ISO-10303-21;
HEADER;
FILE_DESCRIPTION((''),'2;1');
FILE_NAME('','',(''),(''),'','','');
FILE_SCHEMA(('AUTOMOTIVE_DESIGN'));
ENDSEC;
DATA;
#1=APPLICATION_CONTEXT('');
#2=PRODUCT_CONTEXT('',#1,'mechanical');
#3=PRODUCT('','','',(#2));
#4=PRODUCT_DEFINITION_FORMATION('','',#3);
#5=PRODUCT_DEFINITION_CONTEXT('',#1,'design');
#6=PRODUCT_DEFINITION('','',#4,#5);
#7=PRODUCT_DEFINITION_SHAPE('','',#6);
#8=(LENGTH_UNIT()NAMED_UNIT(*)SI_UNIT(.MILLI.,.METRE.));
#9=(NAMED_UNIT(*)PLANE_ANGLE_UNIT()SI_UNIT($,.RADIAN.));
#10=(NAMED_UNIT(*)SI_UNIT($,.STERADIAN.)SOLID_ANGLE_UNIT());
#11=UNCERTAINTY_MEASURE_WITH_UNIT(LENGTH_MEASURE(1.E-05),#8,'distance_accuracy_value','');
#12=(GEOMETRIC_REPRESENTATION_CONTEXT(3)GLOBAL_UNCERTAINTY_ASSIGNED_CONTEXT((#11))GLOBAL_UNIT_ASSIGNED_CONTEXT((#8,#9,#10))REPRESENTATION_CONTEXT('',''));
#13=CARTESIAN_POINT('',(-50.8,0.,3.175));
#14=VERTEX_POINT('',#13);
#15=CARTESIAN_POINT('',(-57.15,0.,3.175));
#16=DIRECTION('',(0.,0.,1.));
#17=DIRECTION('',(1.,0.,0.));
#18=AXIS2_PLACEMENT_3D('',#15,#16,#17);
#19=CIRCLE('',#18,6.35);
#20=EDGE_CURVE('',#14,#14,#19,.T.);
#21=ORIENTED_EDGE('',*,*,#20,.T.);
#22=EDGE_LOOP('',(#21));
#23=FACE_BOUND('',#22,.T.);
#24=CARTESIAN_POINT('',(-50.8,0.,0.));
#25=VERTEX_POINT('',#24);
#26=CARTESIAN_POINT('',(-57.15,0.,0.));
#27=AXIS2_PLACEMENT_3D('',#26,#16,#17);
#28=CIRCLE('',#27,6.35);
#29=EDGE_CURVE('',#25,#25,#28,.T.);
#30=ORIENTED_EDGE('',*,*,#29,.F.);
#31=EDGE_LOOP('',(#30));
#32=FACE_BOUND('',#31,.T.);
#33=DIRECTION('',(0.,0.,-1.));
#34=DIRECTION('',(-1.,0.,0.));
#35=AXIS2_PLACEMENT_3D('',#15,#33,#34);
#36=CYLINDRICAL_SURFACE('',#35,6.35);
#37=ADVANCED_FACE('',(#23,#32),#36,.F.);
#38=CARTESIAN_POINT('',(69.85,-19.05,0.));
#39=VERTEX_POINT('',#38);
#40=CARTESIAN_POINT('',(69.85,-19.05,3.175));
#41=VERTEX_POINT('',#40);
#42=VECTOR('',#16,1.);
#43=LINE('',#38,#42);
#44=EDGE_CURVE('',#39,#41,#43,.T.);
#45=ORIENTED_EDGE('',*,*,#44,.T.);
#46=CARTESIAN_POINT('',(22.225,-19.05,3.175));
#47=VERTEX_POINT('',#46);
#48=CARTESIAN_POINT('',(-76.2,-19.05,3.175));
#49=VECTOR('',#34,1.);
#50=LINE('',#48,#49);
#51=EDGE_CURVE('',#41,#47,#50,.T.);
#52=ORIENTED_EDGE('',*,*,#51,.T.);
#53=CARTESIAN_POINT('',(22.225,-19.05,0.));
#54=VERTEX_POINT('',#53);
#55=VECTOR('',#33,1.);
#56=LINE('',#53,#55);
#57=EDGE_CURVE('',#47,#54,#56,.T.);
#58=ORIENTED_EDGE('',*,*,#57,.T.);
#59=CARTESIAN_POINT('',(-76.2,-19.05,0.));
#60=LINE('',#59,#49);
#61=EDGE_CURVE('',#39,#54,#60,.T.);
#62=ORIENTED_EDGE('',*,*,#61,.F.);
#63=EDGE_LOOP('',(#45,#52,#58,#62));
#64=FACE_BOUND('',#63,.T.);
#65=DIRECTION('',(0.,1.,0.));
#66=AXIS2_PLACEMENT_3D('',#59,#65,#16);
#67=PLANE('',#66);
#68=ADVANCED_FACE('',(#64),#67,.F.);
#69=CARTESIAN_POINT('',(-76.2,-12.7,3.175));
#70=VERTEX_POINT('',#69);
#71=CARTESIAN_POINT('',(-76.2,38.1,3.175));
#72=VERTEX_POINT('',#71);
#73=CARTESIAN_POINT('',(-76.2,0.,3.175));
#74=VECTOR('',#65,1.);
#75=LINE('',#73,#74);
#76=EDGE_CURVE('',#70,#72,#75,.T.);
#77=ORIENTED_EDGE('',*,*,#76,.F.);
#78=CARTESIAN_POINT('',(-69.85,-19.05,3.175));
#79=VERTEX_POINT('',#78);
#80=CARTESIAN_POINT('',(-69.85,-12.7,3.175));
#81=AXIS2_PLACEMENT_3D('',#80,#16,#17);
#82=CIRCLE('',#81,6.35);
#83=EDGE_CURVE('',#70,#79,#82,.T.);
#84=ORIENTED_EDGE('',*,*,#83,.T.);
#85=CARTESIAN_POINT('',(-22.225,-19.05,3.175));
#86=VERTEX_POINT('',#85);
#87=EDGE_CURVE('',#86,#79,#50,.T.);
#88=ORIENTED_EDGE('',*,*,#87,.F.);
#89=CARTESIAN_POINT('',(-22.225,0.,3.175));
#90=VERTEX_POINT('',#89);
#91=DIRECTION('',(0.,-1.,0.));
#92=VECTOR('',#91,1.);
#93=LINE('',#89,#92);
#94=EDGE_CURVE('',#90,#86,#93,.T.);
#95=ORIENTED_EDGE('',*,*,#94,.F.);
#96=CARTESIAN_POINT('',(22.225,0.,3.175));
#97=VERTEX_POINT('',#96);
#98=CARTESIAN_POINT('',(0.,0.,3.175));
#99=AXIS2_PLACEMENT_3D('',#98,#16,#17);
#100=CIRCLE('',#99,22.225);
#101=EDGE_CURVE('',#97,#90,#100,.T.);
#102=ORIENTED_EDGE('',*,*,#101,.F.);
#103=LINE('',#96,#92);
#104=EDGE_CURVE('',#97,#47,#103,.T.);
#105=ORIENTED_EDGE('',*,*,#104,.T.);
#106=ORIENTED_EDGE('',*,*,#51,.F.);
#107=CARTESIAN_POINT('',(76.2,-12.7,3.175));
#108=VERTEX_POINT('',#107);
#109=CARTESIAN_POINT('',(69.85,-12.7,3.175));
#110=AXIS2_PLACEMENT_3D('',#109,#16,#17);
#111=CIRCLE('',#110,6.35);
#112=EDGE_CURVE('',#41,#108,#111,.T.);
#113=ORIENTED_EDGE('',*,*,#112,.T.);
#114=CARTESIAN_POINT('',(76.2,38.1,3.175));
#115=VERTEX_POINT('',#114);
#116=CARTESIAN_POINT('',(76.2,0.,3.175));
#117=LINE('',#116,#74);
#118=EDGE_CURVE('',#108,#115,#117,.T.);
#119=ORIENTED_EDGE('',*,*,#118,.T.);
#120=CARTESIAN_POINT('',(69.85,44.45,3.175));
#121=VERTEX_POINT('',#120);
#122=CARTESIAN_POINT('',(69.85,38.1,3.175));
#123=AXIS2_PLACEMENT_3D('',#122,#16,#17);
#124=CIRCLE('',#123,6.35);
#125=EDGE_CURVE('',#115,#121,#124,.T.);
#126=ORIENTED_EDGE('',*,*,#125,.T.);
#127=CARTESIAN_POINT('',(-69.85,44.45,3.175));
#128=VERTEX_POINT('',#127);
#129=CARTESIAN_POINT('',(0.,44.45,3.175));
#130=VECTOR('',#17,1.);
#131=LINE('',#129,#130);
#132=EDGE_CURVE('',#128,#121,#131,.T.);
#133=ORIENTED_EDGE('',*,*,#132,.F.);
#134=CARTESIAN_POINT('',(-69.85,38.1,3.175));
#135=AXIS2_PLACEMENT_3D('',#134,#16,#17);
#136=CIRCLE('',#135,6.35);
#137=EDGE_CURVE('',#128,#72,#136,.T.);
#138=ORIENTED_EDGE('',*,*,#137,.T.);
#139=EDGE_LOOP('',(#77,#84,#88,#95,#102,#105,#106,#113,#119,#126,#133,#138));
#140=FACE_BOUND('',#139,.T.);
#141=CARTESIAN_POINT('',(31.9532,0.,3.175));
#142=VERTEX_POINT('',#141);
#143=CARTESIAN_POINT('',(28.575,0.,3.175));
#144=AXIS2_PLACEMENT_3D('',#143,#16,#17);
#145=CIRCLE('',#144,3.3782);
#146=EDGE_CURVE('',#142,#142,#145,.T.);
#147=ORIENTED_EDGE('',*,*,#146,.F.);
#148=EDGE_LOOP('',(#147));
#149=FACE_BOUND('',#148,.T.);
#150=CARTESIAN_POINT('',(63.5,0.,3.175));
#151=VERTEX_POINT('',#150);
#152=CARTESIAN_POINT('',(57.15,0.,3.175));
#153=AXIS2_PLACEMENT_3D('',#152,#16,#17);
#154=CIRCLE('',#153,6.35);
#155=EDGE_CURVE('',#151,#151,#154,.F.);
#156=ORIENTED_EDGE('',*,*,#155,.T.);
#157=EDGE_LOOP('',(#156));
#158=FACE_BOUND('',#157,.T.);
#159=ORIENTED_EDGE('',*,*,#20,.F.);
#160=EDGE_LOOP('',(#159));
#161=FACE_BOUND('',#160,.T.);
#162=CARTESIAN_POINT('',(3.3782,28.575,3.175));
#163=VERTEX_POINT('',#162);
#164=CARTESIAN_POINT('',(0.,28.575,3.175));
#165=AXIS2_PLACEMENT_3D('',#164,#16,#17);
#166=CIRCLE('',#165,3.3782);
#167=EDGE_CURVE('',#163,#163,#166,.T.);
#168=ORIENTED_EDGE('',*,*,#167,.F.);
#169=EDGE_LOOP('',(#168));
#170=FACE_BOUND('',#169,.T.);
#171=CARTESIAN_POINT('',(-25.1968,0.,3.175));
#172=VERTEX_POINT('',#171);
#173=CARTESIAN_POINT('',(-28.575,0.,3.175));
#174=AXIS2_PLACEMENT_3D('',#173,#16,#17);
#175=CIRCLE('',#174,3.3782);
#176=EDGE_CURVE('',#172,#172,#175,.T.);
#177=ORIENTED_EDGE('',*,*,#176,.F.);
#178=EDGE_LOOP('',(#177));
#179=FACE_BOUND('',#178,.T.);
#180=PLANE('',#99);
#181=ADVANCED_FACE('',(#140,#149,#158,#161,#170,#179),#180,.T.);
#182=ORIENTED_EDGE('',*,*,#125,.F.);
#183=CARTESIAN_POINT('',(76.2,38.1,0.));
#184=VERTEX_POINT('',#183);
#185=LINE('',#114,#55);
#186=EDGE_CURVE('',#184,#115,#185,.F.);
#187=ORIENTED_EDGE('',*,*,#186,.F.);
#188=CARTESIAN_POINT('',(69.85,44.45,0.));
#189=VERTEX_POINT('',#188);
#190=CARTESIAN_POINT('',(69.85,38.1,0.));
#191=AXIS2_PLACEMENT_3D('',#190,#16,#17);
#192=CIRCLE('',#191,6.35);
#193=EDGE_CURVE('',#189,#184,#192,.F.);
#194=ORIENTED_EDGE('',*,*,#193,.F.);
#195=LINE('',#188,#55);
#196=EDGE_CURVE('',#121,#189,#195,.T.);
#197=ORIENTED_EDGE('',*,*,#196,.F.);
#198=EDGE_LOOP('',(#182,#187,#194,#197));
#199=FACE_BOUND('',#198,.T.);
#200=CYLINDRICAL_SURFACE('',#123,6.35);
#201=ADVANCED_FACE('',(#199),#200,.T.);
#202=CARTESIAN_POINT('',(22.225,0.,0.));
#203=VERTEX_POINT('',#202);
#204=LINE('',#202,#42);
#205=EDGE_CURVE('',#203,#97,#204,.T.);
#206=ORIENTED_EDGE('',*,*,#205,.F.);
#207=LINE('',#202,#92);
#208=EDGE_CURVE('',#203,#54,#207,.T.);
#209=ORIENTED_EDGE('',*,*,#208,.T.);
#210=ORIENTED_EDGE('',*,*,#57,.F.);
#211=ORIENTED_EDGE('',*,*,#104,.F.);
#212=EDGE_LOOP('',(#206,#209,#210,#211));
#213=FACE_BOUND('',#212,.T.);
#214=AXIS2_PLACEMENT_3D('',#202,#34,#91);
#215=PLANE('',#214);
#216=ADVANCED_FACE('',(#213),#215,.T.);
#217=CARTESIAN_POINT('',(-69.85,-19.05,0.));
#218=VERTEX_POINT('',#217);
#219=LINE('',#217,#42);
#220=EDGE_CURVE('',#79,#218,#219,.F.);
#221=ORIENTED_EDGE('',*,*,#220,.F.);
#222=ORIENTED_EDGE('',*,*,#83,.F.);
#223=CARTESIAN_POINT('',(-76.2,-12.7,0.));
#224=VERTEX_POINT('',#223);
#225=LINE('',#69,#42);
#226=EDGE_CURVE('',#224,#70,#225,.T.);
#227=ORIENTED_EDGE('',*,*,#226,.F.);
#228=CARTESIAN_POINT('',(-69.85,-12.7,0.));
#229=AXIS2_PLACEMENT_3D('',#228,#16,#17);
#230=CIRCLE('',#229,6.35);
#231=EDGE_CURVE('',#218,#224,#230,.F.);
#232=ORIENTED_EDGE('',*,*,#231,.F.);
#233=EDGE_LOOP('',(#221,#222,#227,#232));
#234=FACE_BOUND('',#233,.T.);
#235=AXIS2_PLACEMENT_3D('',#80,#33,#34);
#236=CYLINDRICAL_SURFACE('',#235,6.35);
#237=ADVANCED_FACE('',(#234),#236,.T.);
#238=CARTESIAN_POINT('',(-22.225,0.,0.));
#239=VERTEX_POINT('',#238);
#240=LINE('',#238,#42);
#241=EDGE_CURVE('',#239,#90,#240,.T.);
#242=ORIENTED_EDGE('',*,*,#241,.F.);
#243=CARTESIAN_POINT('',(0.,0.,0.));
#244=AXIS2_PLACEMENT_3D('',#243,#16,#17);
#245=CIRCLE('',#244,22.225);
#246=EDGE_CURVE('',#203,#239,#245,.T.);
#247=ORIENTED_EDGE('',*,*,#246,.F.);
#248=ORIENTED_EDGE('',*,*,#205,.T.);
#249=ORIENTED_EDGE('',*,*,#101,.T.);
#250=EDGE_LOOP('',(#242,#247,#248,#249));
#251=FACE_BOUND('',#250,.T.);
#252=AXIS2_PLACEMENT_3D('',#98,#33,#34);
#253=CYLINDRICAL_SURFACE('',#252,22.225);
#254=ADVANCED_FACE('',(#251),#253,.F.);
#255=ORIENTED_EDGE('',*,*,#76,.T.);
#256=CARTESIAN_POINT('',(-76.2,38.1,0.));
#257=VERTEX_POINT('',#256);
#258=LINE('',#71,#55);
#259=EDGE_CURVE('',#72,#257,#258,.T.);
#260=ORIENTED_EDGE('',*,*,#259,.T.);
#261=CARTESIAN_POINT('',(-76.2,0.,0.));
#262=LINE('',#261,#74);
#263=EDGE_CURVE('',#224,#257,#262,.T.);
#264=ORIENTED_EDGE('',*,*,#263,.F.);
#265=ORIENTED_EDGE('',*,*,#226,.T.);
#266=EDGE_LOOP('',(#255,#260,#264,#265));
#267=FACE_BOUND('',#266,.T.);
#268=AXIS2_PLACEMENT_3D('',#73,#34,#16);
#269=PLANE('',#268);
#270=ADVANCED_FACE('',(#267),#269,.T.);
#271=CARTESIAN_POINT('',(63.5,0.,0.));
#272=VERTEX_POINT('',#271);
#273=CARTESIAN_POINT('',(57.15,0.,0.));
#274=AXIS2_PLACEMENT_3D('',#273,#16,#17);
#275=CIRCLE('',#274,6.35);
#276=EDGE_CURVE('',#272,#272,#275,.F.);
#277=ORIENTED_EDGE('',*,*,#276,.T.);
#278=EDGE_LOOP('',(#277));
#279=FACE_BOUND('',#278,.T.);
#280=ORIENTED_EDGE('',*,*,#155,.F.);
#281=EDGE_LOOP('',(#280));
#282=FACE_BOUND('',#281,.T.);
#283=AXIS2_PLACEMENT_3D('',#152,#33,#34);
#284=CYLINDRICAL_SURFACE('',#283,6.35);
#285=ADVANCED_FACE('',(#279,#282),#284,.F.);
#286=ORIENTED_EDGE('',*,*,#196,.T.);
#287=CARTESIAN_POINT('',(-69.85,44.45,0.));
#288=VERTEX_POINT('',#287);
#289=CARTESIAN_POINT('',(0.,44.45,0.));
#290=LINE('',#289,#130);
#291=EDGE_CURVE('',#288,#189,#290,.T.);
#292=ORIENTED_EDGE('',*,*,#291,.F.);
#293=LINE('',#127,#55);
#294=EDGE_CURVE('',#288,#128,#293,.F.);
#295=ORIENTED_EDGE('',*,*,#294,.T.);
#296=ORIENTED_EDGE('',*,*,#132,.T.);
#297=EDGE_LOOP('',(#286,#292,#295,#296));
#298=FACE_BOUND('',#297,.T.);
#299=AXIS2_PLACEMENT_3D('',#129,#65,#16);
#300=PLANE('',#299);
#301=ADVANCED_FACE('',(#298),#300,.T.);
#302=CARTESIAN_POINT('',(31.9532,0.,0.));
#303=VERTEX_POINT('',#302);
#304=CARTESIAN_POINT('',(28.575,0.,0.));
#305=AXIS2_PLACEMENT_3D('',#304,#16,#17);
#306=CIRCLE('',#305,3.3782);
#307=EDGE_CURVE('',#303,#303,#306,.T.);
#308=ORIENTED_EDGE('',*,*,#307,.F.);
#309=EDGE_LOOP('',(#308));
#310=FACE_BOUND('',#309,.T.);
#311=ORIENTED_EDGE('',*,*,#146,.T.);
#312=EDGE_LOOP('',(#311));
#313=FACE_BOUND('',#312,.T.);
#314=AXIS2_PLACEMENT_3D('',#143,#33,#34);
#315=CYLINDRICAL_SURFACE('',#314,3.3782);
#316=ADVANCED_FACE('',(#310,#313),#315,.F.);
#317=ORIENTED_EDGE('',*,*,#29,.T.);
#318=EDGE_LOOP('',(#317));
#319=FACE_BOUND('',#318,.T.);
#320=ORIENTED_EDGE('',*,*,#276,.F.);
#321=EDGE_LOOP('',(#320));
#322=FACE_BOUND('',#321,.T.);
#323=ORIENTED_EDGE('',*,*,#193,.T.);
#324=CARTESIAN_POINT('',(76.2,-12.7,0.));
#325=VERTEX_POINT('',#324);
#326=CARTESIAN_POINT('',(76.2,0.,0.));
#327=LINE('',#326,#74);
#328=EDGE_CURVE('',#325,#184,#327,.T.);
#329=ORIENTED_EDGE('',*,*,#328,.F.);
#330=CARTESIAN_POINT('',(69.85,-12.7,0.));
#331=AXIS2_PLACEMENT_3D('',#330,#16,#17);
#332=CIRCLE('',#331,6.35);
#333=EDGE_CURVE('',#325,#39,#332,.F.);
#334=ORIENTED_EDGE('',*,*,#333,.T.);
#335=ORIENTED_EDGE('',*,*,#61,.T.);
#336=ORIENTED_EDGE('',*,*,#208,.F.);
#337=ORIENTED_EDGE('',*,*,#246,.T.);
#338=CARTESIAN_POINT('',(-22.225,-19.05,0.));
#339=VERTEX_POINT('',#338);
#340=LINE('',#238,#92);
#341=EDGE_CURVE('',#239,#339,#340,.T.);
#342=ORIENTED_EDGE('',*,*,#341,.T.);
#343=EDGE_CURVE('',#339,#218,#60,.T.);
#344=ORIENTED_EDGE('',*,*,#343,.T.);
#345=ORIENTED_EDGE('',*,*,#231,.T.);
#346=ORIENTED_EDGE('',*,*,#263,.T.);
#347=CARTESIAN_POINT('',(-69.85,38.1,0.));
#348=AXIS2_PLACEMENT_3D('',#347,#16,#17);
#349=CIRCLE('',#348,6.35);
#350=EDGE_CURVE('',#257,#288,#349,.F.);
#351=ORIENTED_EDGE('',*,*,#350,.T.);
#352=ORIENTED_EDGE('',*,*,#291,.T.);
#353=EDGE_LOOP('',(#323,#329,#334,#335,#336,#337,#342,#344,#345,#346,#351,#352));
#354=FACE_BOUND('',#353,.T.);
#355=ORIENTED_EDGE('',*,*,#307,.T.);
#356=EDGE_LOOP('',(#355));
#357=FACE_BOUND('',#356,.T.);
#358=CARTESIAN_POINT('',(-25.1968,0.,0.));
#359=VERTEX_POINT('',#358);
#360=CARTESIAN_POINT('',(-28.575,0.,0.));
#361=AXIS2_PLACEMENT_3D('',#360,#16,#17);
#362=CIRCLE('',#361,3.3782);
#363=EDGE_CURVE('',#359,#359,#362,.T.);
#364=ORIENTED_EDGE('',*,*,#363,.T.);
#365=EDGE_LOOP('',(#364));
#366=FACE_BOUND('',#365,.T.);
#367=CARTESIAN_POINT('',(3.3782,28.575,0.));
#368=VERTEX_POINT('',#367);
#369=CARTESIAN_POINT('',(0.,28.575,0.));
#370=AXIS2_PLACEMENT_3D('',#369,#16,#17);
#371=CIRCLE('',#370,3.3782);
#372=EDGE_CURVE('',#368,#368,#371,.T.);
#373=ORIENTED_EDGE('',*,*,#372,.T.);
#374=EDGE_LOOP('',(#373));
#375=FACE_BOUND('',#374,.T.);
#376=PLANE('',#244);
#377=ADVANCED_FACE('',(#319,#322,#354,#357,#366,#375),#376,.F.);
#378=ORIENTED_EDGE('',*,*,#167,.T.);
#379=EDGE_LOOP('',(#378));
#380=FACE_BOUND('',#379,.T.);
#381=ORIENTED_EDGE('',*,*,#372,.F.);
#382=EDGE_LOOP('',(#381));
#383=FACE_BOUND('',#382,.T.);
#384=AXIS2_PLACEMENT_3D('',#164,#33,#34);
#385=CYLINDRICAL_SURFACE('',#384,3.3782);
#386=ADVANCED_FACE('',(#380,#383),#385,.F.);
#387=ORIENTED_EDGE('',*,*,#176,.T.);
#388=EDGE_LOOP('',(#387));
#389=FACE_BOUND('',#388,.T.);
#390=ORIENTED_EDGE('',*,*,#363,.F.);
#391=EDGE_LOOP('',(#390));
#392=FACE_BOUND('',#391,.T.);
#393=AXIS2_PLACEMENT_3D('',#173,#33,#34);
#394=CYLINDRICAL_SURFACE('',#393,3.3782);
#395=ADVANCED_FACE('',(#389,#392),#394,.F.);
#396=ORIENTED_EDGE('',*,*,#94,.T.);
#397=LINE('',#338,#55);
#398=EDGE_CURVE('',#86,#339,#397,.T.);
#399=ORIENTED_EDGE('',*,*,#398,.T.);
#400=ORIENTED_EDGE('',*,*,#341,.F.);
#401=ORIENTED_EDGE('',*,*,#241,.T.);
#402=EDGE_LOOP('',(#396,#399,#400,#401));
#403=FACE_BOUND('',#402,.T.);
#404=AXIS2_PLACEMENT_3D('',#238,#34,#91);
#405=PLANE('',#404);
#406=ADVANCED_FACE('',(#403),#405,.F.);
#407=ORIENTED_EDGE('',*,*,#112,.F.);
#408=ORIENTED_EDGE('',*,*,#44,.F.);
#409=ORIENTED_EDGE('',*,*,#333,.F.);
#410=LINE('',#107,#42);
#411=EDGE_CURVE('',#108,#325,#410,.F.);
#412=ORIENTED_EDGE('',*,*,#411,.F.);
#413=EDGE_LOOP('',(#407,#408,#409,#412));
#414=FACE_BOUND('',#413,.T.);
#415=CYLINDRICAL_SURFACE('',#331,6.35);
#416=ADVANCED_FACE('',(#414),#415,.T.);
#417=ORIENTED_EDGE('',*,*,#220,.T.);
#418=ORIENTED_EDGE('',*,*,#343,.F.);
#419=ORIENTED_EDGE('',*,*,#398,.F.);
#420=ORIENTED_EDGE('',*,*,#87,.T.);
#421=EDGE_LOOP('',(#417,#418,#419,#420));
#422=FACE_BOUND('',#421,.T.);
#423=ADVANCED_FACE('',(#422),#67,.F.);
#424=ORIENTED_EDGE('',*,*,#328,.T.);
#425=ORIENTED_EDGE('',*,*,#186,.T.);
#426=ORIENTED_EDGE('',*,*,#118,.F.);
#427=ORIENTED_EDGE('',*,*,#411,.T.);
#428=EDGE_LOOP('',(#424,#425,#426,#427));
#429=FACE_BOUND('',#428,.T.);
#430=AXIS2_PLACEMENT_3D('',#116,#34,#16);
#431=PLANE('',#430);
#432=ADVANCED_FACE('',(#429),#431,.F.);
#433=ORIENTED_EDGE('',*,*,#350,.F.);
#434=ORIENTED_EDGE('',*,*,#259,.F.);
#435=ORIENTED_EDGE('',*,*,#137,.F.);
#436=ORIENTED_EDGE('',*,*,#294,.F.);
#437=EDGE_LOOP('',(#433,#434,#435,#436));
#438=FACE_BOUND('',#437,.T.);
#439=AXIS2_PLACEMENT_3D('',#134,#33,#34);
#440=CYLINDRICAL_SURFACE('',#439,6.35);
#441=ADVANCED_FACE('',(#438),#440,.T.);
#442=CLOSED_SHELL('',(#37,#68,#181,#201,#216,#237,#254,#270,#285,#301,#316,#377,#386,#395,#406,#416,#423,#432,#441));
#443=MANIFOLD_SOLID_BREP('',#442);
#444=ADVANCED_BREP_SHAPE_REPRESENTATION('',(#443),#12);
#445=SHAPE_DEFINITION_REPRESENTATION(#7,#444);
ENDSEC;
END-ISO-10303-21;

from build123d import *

# Parameters (mm, degrees)
SKETCH1_W           = 152.4
SKETCH1_H           = 88.9
SKETCH1_R           = 3.3782
SKETCH1_R_2         = 6.35
SKETCH1_R_3         = 22.225
BOSS_EXTRUDE1_DEPTH = 3.175
SKETCH2_R           = 3.3782
CUT_EXTRUDE1_DEPTH  = 4.175
SKETCH3_W           = 152.4
SKETCH3_H           = 25.4
CUT_EXTRUDE2_DEPTH  = 4.175
FILLET1_R           = 6.35


with BuildPart() as part:
    # Sketch1 → Boss-Extrude1 (new body)
    with BuildSketch(Plane.XY):
        Rectangle(SKETCH1_W, SKETCH1_H)
        with Locations((-28.575, 0)):
            Circle(SKETCH1_R, mode=Mode.SUBTRACT)
        with Locations((0, 28.575)):
            Circle(SKETCH1_R, mode=Mode.SUBTRACT)
        with Locations((28.575, 0)):
            Circle(SKETCH1_R, mode=Mode.SUBTRACT)
        with Locations((0, -28.575)):
            Circle(SKETCH1_R, mode=Mode.SUBTRACT)
        with Locations((-57.15, 0)):
            Circle(SKETCH1_R_2, mode=Mode.SUBTRACT)
        with Locations((57.15, 0)):
            Circle(SKETCH1_R_2, mode=Mode.SUBTRACT)
        Circle(SKETCH1_R_3, mode=Mode.SUBTRACT)
    extrude(amount=BOSS_EXTRUDE1_DEPTH)

    # Sketch2 → Cut-Extrude1 (cut, through all)
    with BuildSketch(Plane.XY.offset(3.175)):
        with BuildLine():
            Line((-28.575, -20.32), (-28.575, -44.45))
            Line((-28.575, -44.45), (28.575, -44.45))
            Line((28.575, -44.45), (28.575, -20.32))
            Line((28.575, -20.32), (22.225, -20.32))
            Line((22.225, -20.32), (9.002678768, -20.32))
            ThreePointArc((9.002678768, -20.32), (0, -22.225), (-9.002678768, -20.32))
            Line((-9.002678768, -20.32), (-22.225, -20.32))
            Line((-22.225, -20.32), (-28.575, -20.32))
        make_face()
        with Locations((0, -28.575)):
            Circle(SKETCH2_R, mode=Mode.SUBTRACT)
        with BuildLine():
            Line((-22.225, 0), (-22.225, -20.32))
            Line((-22.225, -20.32), (-9.002678768, -20.32))
            ThreePointArc((-9.002678768, -20.32), (-18.628407884, -12.121594148), (-22.225, 0))
        make_face()
        with BuildLine():
            Line((9.002678768, -20.32), (22.225, -20.32))
            Line((22.225, -20.32), (22.225, 0))
            ThreePointArc((22.225, 0), (18.628407884, -12.121594148), (9.002678768, -20.32))
        make_face()
        with BuildLine():
            ThreePointArc((-22.225, 0), (-18.628407884, -12.121594148), (-9.002678768, -20.32))
            Line((-9.002678768, -20.32), (9.002678768, -20.32))
            ThreePointArc((9.002678768, -20.32), (18.628407884, -12.121594148), (22.225, 0))
            Line((22.225, 0), (-22.225, 0))
        make_face()
        with BuildLine():
            Line((9.002678768, -20.32), (-9.002678768, -20.32))
            ThreePointArc((-9.002678768, -20.32), (0, -22.225), (9.002678768, -20.32))
        make_face()
    extrude(amount=-CUT_EXTRUDE1_DEPTH, mode=Mode.SUBTRACT)

    # Sketch3 → Cut-Extrude2 (cut, through all)
    with BuildSketch(Plane.XY.offset(3.175)):
        with Locations((0, -31.75)):
            Rectangle(SKETCH3_W, SKETCH3_H)
    extrude(amount=-CUT_EXTRUDE2_DEPTH, mode=Mode.SUBTRACT)

    # Fillet1
    fillet1_edges = [part.edges().sort_by_distance(p)[0] for p in [
        (-76.2, 44.45, 1.5875),
        (76.2, 44.45, 1.5875),
        (-76.2, -19.05, 1.5875),
        (76.2, -19.05, 1.5875),
    ]]
    fillet(fillet1_edges, radius=FILLET1_R)


solid = part.part
